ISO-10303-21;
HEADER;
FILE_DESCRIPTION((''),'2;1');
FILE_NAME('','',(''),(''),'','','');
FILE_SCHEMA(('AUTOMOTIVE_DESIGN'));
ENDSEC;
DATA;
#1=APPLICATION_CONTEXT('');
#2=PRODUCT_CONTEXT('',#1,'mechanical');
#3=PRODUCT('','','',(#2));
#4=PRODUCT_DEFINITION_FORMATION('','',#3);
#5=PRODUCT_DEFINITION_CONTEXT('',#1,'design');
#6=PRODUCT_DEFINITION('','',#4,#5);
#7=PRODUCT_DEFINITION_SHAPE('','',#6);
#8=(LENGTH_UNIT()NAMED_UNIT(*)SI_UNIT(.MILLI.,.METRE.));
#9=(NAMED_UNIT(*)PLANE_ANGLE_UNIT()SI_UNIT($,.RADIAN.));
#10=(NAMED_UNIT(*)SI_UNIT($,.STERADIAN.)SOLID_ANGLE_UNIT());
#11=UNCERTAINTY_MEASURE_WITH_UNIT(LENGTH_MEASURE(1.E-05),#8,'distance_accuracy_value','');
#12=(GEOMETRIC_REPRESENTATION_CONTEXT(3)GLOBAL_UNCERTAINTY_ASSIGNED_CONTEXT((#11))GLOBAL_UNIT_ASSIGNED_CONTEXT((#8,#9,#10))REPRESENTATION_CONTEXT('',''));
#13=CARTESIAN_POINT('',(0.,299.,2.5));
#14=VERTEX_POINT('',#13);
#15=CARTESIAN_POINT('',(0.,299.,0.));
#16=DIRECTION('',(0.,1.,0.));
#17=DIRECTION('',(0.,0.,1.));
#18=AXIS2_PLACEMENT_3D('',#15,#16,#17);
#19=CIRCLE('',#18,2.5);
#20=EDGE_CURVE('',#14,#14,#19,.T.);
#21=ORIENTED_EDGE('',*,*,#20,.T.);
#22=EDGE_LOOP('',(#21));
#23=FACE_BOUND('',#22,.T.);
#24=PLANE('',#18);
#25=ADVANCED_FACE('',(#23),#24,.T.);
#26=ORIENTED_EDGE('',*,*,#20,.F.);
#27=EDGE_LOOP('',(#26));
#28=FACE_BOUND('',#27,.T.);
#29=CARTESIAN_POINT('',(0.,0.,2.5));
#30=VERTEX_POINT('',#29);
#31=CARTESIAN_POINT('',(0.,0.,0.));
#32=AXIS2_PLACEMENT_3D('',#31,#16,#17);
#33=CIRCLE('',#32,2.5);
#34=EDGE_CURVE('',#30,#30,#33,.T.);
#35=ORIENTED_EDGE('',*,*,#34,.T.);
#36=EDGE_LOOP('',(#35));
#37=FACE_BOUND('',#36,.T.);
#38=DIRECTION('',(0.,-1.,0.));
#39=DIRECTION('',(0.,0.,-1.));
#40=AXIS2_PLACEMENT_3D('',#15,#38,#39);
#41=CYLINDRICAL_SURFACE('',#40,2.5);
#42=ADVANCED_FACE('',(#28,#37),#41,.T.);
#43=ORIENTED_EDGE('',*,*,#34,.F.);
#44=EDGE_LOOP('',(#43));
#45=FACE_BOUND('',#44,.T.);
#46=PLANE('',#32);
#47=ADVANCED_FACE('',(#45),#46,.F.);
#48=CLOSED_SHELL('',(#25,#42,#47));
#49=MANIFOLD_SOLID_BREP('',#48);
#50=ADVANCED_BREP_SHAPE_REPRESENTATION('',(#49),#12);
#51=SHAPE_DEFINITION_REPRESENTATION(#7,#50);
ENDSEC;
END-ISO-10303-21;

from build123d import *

# Parameters (mm, degrees)
ESBO_O1_R                = 2.5
RESSALTO_EXTRUS_O1_DEPTH = 299


with BuildPart() as part:
    # Esboço1 → Ressalto-extrusão1 (new body)
    with BuildSketch(Plane(origin=(0, 0, 0), x_dir=(1, 0, 0), z_dir=(0, 1, 0))):
        with Locations(Location((0, 0, 0), (0, 0, 270))):
            Circle(ESBO_O1_R)
    extrude(amount=RESSALTO_EXTRUS_O1_DEPTH)


solid = part.part
